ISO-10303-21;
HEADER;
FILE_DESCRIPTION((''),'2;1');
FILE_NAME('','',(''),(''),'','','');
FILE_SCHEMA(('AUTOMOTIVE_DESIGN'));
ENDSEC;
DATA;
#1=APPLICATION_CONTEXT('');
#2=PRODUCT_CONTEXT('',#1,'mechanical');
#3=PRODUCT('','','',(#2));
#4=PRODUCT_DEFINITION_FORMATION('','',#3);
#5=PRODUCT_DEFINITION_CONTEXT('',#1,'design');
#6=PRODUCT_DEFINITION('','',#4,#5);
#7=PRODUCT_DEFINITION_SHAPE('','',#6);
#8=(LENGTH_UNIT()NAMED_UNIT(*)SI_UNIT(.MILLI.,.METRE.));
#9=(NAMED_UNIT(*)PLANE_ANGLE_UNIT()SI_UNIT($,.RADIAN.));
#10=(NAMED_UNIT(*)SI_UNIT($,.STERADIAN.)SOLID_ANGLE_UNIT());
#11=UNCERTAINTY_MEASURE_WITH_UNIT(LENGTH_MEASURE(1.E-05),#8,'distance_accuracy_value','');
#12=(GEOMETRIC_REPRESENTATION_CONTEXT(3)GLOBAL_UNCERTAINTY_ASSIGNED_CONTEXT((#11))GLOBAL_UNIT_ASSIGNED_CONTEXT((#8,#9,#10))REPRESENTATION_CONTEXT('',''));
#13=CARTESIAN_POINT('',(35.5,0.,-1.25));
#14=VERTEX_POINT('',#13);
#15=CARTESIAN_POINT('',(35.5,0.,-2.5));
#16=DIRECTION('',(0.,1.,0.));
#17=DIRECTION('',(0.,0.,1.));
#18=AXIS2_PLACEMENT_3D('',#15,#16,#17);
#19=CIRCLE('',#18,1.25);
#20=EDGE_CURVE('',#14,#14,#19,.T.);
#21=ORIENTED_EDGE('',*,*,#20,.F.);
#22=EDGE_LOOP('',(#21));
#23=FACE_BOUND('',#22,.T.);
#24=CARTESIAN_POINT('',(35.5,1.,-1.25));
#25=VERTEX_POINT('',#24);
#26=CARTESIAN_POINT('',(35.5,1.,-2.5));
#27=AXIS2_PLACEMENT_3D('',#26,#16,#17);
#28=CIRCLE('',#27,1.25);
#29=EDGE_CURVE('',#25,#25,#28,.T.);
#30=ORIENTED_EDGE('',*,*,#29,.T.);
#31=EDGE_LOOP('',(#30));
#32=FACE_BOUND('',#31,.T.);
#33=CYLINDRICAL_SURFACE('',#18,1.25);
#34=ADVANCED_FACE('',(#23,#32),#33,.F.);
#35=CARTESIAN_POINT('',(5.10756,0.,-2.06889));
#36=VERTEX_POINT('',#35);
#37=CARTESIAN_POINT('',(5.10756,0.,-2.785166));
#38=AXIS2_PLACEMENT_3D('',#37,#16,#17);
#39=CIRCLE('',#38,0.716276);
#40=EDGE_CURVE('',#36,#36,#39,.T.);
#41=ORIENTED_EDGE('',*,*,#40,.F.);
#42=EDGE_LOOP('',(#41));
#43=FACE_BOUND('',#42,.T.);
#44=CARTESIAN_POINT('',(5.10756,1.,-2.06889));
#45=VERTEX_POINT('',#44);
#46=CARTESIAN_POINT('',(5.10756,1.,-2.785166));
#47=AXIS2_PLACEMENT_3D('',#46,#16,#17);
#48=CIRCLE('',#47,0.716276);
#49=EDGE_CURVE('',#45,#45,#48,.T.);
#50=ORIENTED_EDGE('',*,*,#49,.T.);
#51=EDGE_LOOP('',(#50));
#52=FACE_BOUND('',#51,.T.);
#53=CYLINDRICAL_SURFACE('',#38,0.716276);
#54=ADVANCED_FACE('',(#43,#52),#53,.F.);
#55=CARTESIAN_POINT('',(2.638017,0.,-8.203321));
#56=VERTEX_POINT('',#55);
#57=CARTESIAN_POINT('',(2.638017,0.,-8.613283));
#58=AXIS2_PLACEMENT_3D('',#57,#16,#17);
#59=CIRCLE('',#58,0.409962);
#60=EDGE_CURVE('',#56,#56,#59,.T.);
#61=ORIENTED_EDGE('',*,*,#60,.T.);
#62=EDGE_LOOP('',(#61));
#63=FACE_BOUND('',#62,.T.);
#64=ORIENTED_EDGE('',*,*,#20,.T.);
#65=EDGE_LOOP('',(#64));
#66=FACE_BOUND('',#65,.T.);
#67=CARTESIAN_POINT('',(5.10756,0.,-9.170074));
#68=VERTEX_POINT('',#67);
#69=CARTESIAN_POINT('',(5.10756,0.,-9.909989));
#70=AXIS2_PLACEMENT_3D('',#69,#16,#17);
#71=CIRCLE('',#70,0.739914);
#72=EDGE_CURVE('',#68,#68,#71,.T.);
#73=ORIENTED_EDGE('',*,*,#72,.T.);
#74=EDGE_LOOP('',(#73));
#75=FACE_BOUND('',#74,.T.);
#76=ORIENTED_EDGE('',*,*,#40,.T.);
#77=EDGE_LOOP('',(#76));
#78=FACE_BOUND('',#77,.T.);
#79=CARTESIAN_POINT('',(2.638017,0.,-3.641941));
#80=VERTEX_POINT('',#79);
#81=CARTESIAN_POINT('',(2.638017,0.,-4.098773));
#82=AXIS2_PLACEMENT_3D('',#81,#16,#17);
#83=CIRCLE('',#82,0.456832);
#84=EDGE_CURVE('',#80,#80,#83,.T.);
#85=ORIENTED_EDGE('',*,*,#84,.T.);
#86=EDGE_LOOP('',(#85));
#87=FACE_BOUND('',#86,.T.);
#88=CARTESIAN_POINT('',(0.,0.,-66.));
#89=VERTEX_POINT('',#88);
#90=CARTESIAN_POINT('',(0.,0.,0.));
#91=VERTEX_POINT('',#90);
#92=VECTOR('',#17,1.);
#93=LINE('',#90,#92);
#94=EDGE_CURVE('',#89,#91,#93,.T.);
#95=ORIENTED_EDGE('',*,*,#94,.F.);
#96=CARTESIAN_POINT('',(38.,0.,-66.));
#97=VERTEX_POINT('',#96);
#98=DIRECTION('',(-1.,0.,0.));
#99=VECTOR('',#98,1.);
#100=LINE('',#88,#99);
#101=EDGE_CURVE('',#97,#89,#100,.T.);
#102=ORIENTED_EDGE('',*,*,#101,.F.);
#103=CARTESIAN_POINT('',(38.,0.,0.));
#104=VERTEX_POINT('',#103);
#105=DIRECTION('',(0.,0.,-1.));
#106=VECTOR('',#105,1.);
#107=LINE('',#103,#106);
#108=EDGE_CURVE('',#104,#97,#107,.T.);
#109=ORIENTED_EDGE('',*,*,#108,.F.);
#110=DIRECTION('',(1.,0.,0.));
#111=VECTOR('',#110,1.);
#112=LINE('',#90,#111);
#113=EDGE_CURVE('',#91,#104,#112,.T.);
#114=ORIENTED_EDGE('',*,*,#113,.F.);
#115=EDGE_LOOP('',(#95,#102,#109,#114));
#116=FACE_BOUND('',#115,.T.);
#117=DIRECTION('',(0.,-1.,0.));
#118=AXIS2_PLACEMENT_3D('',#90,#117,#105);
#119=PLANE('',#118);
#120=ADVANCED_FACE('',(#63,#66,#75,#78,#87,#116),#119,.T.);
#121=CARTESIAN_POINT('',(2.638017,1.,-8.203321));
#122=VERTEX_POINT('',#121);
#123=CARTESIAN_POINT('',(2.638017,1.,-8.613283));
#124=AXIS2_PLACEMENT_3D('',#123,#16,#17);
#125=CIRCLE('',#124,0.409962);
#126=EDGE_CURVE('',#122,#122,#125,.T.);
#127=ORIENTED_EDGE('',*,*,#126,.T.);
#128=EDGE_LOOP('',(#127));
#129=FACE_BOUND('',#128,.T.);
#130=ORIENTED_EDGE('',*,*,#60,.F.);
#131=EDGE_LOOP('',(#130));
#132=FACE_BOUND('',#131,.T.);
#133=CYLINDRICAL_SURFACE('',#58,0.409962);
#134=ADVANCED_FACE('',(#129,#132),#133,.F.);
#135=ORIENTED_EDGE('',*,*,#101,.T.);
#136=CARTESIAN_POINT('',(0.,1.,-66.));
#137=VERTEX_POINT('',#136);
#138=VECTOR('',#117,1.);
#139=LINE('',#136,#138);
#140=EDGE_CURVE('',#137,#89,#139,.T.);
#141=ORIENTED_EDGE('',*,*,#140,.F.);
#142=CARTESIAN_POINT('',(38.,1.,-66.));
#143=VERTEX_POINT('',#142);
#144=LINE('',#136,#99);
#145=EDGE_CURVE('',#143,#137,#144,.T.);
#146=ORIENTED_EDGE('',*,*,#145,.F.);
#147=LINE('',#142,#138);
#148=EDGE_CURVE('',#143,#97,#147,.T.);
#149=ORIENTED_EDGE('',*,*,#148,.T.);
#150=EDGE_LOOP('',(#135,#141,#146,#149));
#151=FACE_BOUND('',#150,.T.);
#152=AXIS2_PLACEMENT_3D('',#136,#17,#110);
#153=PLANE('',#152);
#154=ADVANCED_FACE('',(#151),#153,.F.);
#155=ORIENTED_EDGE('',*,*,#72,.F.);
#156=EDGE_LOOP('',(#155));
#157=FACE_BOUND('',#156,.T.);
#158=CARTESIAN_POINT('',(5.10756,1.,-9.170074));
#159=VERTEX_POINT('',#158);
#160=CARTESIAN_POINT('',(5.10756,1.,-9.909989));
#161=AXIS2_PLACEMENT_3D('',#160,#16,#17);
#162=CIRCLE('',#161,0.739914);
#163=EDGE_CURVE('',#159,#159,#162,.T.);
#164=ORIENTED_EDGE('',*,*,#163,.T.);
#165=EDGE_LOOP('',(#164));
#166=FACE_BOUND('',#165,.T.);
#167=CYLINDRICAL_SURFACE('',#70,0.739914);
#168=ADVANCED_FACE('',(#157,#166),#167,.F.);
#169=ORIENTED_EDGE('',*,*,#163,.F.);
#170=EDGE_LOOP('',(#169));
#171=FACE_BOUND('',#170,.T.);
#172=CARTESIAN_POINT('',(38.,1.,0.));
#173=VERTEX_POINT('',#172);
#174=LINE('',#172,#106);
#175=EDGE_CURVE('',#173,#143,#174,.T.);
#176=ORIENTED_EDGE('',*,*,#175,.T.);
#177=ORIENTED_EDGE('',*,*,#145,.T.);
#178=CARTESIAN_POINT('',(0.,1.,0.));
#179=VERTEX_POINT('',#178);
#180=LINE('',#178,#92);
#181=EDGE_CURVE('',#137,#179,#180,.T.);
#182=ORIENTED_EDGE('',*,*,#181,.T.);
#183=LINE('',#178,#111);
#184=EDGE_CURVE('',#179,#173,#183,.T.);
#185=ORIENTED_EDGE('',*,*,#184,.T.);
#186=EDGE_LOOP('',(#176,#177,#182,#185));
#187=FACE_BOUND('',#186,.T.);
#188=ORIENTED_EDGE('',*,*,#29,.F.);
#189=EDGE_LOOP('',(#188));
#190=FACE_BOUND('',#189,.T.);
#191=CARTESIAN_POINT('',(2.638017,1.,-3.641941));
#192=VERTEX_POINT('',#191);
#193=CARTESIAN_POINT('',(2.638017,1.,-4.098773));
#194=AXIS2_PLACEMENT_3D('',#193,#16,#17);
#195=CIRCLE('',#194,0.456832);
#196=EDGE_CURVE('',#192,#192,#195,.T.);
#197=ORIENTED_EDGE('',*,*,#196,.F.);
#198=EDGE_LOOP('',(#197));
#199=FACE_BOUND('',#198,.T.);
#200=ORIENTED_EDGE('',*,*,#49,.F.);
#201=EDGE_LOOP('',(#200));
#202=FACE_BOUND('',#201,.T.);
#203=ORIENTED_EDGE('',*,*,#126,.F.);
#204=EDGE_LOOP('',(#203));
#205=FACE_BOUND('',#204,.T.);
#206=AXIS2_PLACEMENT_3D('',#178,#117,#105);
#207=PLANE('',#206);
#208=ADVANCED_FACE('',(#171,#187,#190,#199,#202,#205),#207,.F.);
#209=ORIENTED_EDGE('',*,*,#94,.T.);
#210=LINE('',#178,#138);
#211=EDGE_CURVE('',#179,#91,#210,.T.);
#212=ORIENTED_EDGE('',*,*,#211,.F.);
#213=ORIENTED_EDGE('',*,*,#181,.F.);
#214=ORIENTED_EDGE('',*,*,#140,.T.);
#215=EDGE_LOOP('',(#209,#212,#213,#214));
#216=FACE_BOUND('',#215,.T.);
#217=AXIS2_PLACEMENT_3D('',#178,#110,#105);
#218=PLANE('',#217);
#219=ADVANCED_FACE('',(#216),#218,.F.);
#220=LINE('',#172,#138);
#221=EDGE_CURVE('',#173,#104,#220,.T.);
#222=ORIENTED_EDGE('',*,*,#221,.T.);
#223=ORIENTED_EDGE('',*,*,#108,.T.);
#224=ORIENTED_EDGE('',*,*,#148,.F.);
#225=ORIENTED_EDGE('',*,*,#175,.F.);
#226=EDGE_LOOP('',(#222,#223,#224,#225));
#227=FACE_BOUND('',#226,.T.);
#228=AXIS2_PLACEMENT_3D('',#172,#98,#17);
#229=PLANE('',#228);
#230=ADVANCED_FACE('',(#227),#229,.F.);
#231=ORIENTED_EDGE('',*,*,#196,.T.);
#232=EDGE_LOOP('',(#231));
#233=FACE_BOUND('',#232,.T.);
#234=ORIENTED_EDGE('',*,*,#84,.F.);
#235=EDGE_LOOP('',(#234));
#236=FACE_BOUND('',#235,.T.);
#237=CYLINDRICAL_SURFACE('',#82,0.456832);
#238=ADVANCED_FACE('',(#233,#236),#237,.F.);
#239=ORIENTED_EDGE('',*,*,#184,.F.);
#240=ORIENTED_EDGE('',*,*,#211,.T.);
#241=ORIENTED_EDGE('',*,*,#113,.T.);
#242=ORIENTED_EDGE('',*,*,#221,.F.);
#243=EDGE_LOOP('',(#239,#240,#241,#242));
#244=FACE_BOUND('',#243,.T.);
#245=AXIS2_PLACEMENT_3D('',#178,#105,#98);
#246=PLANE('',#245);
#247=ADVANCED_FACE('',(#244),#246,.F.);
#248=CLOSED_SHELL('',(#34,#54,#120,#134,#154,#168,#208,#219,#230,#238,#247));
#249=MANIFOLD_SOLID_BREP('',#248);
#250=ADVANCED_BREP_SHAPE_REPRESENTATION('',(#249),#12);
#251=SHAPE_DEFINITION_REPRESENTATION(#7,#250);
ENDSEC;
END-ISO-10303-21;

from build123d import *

# Parameters (mm, degrees)
SKETCH1_W           = 38
SKETCH1_H           = 66
BOSS_EXTRUDE1_DEPTH = 1
SKETCH2_R           = 1.25
CUT_EXTRUDE1_DEPTH  = 2
SKETCH3_R           = 0.456831937
SKETCH3_R_2         = 0.409961783
SKETCH3_R_3         = 0.739914173
SKETCH3_R_4         = 0.716276255
CUT_EXTRUDE2_DEPTH  = 2


with BuildPart() as part:
    # Sketch1 → Boss-Extrude1 (new body)
    with BuildSketch(Plane(origin=(0, 0, 0), x_dir=(1, 0, 0), z_dir=(0, 1, 0))):
        with Locations((19, 33)):
            Rectangle(SKETCH1_W, SKETCH1_H)
    extrude(amount=BOSS_EXTRUDE1_DEPTH)

    # Sketch2 → Cut-Extrude1 (cut, through all)
    with BuildSketch(Plane(origin=(0, 1, 0), x_dir=(1, 0, 0), z_dir=(0, 1, 0))):
        with Locations((35.5, 2.5)):
            Circle(SKETCH2_R)
    extrude(amount=-CUT_EXTRUDE1_DEPTH, mode=Mode.SUBTRACT)

    # Sketch3 → Cut-Extrude2 (cut, through all)
    with BuildSketch(Plane(origin=(0, 1, 0), x_dir=(1, 0, 0), z_dir=(0, 1, 0))):
        with Locations((2.638016887, 4.098772659)):
            Circle(SKETCH3_R)
        with Locations((2.638016887, 8.613282996)):
            Circle(SKETCH3_R_2)
        with Locations((5.107560434, 9.90998851)):
            Circle(SKETCH3_R_3)
        with Locations((5.107560434, 2.785166116)):
            Circle(SKETCH3_R_4)
    extrude(amount=-CUT_EXTRUDE2_DEPTH, mode=Mode.SUBTRACT)


solid = part.part
